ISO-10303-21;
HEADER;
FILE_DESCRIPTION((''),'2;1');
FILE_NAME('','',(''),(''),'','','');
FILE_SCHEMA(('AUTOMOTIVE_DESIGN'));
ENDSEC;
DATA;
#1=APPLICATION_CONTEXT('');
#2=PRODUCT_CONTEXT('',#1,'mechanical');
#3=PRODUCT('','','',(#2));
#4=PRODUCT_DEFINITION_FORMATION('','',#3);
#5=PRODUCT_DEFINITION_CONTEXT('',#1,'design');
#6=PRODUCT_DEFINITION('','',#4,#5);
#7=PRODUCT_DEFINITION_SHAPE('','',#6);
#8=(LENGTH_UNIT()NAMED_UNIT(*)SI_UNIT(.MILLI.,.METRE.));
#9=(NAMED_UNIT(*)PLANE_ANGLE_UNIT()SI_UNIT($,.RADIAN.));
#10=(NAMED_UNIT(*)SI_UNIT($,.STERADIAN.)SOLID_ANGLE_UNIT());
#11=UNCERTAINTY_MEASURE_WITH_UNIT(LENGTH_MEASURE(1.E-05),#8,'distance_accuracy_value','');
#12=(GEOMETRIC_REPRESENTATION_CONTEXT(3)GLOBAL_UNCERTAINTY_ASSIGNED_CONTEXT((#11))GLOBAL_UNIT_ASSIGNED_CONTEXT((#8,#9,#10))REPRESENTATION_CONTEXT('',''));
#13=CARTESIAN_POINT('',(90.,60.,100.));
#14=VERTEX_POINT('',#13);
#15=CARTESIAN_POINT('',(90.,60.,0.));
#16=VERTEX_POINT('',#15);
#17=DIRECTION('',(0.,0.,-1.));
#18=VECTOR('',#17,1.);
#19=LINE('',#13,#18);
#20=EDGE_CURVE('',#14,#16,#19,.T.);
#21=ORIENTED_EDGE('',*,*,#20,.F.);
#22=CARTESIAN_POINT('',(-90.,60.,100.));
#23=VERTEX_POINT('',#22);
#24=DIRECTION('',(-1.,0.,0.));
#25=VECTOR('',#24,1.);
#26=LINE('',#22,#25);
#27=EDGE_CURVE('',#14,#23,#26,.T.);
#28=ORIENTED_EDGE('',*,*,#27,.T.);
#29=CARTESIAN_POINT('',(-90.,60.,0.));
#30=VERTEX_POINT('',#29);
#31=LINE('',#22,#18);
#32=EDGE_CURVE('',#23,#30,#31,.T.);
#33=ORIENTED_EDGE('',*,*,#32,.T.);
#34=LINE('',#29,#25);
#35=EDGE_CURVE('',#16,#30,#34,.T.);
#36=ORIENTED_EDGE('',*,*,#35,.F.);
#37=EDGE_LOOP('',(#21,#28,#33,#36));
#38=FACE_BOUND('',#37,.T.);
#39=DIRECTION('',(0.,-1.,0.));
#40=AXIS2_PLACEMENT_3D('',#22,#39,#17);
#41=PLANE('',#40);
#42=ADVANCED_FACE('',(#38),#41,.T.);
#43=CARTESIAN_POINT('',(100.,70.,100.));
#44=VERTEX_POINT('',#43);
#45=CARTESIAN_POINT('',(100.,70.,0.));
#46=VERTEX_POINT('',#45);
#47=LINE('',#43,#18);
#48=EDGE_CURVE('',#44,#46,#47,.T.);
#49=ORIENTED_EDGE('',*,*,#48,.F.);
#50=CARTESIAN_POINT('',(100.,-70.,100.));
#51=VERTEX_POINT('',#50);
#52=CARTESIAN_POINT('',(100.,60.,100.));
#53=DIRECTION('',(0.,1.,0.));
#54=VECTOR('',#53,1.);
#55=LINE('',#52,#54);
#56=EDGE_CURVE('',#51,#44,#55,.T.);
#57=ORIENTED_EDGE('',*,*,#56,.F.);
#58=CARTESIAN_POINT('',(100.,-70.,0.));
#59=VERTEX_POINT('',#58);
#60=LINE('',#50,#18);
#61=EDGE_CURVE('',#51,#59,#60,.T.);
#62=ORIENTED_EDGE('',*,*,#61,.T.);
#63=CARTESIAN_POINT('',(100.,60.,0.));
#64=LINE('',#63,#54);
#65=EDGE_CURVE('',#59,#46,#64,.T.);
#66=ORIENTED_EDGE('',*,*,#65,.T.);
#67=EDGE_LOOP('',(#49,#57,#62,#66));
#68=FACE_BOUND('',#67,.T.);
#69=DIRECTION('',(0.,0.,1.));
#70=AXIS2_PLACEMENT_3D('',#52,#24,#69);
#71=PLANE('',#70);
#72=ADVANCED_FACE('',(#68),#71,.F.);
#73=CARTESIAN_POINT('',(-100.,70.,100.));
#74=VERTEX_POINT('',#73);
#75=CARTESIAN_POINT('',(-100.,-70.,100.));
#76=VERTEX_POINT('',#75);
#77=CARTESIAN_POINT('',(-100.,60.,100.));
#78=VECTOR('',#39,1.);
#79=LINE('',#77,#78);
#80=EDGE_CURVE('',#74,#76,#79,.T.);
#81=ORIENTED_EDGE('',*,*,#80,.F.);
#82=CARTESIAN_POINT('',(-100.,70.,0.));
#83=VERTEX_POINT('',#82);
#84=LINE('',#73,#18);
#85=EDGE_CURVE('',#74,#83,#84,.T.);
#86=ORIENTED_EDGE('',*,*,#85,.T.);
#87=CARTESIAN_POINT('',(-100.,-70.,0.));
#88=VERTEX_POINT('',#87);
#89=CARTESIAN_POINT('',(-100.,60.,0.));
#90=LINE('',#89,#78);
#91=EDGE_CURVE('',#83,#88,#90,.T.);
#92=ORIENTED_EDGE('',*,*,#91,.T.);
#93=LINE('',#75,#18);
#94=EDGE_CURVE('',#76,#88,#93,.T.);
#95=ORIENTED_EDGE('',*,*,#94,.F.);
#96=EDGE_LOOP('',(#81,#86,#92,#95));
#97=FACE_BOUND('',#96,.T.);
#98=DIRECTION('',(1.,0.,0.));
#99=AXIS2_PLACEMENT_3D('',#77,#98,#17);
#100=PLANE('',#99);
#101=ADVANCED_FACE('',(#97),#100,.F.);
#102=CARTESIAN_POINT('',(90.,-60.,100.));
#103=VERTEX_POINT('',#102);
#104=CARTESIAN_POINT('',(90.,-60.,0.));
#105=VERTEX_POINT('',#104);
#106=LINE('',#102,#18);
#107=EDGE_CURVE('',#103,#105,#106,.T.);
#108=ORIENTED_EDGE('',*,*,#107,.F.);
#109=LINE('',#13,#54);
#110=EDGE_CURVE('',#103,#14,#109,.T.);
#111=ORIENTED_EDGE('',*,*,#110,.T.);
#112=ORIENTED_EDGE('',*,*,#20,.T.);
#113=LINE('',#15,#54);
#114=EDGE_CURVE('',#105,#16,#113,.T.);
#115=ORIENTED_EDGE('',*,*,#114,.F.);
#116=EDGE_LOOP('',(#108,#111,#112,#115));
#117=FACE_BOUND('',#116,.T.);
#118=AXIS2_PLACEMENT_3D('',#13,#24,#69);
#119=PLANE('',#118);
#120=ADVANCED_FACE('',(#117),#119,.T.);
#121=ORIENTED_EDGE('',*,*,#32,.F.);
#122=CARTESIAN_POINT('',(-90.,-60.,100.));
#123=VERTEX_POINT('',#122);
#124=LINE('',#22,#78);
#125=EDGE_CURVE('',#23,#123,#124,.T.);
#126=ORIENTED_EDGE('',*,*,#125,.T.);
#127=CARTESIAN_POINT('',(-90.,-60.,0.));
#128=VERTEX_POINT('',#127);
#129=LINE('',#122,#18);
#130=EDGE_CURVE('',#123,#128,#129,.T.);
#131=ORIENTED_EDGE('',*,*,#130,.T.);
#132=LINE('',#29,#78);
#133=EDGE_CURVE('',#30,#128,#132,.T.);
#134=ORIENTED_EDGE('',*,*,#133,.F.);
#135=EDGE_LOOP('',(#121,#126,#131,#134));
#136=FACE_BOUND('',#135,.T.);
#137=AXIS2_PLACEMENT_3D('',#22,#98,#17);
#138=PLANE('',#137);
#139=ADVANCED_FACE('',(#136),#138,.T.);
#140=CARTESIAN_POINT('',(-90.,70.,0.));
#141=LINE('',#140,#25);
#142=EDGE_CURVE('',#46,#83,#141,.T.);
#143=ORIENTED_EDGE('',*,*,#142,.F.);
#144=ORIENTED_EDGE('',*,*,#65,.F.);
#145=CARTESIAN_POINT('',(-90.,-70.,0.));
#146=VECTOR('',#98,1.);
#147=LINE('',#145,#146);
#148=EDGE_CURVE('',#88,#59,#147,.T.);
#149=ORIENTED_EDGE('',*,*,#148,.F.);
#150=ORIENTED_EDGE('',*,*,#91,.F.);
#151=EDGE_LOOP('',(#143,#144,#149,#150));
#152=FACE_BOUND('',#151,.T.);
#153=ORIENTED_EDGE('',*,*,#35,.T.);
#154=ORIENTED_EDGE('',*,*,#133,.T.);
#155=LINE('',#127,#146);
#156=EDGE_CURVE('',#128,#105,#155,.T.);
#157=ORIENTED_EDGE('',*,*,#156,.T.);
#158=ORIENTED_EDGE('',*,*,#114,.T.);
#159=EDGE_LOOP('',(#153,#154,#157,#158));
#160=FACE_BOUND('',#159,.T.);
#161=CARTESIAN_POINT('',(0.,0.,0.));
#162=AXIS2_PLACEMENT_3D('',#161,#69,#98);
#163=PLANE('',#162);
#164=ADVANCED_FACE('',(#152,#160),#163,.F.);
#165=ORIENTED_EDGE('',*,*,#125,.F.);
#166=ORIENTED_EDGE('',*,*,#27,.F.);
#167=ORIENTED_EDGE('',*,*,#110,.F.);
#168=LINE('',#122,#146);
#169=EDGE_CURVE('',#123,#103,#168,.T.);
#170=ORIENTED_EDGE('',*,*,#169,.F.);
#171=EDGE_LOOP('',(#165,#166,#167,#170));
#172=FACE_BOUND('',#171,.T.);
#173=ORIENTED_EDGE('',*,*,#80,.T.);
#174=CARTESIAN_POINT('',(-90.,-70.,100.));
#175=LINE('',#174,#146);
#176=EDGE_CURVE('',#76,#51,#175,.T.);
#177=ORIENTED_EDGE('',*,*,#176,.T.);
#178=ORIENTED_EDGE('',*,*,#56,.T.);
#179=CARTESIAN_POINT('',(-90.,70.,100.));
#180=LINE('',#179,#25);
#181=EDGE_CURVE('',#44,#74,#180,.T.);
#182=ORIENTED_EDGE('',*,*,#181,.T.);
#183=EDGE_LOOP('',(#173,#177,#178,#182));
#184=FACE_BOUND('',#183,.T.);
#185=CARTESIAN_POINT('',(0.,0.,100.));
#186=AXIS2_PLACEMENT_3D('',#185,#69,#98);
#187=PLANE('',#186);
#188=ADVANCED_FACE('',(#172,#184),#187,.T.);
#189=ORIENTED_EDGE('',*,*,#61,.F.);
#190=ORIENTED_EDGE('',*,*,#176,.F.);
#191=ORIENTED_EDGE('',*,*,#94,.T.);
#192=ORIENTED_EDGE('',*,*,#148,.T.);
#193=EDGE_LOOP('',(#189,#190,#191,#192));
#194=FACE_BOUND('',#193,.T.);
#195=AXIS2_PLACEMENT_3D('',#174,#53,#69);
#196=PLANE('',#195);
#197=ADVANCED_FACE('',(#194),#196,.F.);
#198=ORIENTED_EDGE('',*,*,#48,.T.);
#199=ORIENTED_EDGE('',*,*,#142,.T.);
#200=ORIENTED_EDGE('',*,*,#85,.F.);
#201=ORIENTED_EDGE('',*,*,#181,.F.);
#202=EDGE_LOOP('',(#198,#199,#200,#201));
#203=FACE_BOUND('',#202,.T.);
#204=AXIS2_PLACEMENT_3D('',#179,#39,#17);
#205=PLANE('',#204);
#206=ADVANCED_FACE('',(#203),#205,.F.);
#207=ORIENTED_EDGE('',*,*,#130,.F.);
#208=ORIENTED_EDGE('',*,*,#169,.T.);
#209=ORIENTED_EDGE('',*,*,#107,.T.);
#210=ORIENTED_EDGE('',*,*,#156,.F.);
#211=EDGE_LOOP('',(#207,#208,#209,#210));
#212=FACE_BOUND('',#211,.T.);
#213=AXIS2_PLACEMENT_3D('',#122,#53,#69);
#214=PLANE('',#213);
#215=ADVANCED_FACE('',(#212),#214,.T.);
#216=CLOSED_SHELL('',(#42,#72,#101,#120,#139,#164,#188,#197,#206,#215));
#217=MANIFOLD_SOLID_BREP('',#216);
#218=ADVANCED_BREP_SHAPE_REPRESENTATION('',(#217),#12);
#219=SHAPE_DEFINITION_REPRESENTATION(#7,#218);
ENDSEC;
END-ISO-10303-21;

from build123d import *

# Parameters (mm, degrees)
SKETCH1_W           = 200
SKETCH1_H           = 140
SKETCH1_W_2         = 180
SKETCH1_H_2         = 120
EXTRUDE_THIN1_DEPTH = 100


with BuildPart() as part:
    # Sketch1 → Extrude-Thin1 (new body)
    with BuildSketch(Plane.XY):
        Rectangle(SKETCH1_W, SKETCH1_H)
        Rectangle(SKETCH1_W_2, SKETCH1_H_2, mode=Mode.SUBTRACT)
    extrude(amount=EXTRUDE_THIN1_DEPTH)


solid = part.part
